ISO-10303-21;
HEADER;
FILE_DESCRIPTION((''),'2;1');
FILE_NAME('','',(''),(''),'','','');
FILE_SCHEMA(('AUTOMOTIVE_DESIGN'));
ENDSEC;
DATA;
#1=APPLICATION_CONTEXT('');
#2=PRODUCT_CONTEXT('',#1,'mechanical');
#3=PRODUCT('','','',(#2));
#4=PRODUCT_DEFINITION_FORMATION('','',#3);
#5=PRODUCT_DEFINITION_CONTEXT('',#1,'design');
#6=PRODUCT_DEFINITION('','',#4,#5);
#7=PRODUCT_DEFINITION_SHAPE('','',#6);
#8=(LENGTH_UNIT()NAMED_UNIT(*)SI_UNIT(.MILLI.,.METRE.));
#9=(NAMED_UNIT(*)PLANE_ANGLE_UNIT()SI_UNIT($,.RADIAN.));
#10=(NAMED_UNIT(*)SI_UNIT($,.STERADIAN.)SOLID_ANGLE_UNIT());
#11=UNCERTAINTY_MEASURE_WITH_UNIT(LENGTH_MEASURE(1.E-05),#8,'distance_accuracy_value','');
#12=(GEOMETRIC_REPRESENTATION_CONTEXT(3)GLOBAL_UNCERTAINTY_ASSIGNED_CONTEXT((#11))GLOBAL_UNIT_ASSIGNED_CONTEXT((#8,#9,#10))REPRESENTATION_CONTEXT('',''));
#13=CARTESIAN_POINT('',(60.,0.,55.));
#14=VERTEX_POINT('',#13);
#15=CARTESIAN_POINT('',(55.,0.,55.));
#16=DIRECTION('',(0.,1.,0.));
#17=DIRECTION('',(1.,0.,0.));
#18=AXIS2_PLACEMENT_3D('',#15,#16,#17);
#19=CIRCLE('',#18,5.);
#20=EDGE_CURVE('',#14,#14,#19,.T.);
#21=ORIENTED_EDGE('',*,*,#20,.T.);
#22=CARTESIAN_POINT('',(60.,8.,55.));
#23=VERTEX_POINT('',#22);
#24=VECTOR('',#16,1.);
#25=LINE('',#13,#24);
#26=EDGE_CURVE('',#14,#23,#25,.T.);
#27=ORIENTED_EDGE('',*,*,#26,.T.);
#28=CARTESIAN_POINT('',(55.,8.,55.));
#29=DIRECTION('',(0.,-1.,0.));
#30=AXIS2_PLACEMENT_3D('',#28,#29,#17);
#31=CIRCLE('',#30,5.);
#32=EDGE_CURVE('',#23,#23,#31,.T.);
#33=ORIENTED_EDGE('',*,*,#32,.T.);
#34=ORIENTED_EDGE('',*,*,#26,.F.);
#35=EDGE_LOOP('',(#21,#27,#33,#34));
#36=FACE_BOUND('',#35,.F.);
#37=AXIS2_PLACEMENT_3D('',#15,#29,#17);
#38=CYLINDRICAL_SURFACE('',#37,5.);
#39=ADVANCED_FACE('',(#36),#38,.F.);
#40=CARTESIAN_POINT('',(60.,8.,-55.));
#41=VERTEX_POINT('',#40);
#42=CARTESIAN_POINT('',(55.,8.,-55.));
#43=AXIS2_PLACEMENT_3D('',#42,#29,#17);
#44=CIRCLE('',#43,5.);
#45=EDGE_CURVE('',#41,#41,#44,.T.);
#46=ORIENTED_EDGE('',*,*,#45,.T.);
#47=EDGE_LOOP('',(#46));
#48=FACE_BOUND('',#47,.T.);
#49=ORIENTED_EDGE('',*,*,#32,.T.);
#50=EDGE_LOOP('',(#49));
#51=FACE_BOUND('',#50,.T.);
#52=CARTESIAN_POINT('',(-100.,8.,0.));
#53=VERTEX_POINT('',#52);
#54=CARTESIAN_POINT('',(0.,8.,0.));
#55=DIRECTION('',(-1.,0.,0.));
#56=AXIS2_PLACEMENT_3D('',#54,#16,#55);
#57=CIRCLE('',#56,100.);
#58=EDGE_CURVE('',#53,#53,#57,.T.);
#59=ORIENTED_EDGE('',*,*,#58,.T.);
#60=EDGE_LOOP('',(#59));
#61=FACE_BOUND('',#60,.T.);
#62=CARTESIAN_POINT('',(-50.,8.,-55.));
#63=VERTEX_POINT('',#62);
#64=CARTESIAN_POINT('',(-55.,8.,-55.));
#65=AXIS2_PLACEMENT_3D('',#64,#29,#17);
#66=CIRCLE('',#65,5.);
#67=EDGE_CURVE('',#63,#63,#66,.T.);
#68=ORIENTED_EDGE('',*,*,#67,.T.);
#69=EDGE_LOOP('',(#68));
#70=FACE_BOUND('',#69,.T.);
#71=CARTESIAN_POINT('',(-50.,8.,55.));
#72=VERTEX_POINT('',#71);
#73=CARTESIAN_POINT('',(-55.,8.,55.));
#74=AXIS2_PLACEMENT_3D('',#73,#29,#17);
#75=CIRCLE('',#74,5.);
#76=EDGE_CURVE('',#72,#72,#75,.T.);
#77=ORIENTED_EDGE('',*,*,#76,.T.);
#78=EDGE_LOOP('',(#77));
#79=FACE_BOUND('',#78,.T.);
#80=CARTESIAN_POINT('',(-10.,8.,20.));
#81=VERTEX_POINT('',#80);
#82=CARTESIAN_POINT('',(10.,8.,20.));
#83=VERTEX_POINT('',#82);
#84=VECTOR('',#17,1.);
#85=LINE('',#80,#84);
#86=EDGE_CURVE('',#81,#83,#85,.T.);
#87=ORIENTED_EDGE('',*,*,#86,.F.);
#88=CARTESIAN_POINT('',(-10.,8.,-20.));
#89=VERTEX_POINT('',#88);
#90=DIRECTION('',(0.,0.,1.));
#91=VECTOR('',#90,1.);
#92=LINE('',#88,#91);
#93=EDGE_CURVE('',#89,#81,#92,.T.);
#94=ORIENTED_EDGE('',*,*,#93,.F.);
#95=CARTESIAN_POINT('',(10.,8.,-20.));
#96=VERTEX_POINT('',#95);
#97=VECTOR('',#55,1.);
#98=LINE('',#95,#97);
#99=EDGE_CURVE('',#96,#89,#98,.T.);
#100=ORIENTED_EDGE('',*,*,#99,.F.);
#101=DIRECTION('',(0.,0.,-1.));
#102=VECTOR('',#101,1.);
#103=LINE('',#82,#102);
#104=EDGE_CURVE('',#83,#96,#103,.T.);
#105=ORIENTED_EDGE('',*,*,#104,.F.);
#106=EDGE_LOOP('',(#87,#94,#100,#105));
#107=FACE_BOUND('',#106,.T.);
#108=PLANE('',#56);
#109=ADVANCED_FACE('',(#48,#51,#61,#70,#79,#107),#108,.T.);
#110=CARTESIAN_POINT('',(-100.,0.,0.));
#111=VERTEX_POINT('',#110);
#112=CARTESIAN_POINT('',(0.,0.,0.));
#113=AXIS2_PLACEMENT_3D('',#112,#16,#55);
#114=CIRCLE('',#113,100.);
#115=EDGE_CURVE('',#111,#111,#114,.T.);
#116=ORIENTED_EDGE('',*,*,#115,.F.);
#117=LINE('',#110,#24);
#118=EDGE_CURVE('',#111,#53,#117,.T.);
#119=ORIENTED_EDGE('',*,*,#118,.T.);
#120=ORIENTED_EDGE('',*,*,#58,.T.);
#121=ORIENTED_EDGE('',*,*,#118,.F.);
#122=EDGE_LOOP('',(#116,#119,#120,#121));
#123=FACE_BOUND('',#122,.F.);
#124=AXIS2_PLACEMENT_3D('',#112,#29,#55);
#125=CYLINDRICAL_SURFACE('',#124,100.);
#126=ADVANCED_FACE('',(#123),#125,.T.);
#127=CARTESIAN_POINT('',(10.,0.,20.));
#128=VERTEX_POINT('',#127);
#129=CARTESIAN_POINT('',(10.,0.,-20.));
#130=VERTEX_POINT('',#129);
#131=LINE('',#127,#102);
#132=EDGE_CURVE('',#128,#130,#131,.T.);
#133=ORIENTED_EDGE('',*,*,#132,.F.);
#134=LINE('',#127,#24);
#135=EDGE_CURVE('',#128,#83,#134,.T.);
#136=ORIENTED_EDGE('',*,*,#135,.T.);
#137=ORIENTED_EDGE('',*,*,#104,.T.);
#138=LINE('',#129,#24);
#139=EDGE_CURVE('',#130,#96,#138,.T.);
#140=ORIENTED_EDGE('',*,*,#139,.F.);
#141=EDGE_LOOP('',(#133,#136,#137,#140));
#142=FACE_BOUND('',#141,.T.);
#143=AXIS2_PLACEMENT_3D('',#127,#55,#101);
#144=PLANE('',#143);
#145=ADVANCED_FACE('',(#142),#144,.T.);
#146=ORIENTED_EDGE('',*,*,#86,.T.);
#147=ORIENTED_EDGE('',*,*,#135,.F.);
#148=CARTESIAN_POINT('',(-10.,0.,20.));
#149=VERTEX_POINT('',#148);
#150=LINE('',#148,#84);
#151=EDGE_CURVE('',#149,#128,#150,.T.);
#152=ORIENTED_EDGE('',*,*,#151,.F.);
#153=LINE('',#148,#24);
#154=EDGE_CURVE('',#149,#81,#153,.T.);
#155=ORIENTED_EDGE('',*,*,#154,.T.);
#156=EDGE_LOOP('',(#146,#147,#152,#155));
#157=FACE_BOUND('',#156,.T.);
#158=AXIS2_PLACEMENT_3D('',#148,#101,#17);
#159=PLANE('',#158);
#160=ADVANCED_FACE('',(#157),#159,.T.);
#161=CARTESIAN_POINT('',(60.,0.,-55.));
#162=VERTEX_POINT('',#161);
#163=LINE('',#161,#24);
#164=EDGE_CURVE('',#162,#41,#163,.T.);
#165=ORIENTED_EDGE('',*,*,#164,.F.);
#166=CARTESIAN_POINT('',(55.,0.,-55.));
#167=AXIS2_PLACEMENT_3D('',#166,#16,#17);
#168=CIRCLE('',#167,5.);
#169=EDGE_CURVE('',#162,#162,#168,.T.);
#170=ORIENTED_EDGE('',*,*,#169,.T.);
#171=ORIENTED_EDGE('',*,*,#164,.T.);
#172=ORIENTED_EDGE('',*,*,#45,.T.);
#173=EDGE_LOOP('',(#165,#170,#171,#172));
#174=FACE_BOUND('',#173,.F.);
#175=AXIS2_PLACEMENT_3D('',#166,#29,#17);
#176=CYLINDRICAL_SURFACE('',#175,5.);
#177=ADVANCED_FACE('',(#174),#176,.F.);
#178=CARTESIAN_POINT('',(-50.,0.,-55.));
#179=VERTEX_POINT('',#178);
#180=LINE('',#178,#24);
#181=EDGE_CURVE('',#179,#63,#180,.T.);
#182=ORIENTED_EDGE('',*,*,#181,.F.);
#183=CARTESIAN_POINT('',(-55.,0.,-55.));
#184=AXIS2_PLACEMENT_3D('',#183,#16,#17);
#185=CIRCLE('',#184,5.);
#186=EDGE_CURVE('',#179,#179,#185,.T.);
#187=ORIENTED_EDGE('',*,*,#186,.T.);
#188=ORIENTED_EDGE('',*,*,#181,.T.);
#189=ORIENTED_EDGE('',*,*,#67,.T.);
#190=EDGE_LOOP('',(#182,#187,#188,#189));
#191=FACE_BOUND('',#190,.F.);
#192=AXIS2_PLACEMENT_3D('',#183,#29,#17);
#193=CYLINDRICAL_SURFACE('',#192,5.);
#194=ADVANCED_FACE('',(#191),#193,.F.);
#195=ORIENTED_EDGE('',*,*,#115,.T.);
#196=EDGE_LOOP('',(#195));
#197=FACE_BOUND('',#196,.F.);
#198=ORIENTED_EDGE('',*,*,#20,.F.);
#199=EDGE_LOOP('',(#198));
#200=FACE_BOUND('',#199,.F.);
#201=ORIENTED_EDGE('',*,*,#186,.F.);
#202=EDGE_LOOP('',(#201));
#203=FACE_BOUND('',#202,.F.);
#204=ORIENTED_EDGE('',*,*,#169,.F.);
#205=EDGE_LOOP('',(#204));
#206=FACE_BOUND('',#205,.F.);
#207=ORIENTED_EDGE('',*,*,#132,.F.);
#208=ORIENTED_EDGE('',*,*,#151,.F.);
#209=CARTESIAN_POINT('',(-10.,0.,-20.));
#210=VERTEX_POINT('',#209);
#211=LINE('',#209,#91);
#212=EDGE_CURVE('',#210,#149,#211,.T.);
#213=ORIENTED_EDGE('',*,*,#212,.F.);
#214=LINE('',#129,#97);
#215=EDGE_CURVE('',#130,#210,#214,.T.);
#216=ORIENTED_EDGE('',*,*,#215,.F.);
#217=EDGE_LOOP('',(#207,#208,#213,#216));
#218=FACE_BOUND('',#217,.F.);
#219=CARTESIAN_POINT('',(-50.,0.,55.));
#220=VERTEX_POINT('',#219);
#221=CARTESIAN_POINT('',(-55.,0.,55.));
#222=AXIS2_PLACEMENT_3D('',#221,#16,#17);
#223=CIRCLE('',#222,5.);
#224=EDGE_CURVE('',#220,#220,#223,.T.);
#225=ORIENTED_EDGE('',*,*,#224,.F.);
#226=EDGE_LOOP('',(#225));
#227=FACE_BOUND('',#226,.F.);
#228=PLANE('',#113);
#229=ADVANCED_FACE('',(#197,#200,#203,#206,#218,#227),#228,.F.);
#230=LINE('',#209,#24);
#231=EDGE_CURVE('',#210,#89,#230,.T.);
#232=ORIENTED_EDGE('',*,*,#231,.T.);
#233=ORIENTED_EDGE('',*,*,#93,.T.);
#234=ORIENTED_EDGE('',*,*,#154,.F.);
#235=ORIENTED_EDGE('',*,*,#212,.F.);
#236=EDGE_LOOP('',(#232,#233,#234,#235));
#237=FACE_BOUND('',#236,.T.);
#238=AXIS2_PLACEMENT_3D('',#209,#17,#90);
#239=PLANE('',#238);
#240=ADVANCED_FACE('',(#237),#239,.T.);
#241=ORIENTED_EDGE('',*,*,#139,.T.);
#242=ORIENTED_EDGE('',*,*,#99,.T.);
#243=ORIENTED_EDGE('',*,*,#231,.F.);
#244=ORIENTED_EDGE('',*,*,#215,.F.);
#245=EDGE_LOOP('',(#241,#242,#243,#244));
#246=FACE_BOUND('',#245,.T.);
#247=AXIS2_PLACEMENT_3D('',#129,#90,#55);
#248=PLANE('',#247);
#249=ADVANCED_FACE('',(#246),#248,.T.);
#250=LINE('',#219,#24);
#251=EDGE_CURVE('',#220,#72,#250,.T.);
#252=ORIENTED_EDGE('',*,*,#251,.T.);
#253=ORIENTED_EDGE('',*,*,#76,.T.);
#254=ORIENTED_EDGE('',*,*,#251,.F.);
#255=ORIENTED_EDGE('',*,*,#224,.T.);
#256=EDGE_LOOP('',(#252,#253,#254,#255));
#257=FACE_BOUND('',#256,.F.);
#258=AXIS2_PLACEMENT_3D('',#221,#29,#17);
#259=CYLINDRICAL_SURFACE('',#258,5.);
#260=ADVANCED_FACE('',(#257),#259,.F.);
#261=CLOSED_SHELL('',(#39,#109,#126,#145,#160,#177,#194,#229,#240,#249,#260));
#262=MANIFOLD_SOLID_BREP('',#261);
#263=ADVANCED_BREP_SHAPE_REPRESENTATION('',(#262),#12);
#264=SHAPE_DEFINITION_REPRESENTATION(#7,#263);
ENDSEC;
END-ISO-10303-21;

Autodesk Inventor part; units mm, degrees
ref_plane "YZ Plane" through (0, 0, 0) normal (1, 0, 0) x (0, 1, 0)
ref_plane "XZ Plane" through (0, 0, 0) normal (0, 1, 0) x (-1, 0, 0)
ref_plane "XY Plane" through (0, 0, 0) normal (0, 0, 1) x (1, 0, 0)
sketch "Esquisse1" plane through (0, 0, 0) normal (0, 1, 0) x (-1, 0, 0)
  circle A0 centre (0, 0) radius 100
  line L0 (-10, -20) -> (10, -20)
  line L1 (10, -20) -> (10, 20)
  line L2 (10, 20) -> (-10, 20)
  line L3 (-10, 20) -> (-10, -20)
  line L4 (-10, -20) -> (10, 20) construction
  line L5 (10, -20) -> (-10, 20) construction
  dimension "d0" = 200
  dimension "d3" = 20
  dimension "d4" = 40
extrude "Extrusion2" add sketch "Esquisse1" along normal blind 8
sketch "Esquisse2" plane through (0, 0, 0) normal (0, -1, 0) x (1, 0, 0)
  line L0 (-55, -55) -> (55, -55)
  line L1 (55, -55) -> (55, 55)
  line L2 (55, 55) -> (-55, 55)
  line L3 (-55, 55) -> (-55, -55)
  line L4 (-55, -55) -> (55, 55) construction
  line L5 (55, -55) -> (-55, 55) construction
  circle A0 centre (-55, 55) radius 5
  circle A1 centre (55, 55) radius 5
  circle A2 centre (55, -55) radius 5
  circle A3 centre (-55, -55) radius 5
  point P0 (0, 0)
  dimension "d7" = 110
  dimension "d8" = 10
extrude "Extrusion3" cut sketch "Esquisse2" against normal blind 8 contours L3 A3 L0 | L0 A3 L3 | A2 L1 L0 | L0 L1 A2 | A0 L2 L3 | L3 L2 A0 | A1 L2 L1 | L1 L2 A1
properties part number "dessus" material "Bois (bouleau)"
